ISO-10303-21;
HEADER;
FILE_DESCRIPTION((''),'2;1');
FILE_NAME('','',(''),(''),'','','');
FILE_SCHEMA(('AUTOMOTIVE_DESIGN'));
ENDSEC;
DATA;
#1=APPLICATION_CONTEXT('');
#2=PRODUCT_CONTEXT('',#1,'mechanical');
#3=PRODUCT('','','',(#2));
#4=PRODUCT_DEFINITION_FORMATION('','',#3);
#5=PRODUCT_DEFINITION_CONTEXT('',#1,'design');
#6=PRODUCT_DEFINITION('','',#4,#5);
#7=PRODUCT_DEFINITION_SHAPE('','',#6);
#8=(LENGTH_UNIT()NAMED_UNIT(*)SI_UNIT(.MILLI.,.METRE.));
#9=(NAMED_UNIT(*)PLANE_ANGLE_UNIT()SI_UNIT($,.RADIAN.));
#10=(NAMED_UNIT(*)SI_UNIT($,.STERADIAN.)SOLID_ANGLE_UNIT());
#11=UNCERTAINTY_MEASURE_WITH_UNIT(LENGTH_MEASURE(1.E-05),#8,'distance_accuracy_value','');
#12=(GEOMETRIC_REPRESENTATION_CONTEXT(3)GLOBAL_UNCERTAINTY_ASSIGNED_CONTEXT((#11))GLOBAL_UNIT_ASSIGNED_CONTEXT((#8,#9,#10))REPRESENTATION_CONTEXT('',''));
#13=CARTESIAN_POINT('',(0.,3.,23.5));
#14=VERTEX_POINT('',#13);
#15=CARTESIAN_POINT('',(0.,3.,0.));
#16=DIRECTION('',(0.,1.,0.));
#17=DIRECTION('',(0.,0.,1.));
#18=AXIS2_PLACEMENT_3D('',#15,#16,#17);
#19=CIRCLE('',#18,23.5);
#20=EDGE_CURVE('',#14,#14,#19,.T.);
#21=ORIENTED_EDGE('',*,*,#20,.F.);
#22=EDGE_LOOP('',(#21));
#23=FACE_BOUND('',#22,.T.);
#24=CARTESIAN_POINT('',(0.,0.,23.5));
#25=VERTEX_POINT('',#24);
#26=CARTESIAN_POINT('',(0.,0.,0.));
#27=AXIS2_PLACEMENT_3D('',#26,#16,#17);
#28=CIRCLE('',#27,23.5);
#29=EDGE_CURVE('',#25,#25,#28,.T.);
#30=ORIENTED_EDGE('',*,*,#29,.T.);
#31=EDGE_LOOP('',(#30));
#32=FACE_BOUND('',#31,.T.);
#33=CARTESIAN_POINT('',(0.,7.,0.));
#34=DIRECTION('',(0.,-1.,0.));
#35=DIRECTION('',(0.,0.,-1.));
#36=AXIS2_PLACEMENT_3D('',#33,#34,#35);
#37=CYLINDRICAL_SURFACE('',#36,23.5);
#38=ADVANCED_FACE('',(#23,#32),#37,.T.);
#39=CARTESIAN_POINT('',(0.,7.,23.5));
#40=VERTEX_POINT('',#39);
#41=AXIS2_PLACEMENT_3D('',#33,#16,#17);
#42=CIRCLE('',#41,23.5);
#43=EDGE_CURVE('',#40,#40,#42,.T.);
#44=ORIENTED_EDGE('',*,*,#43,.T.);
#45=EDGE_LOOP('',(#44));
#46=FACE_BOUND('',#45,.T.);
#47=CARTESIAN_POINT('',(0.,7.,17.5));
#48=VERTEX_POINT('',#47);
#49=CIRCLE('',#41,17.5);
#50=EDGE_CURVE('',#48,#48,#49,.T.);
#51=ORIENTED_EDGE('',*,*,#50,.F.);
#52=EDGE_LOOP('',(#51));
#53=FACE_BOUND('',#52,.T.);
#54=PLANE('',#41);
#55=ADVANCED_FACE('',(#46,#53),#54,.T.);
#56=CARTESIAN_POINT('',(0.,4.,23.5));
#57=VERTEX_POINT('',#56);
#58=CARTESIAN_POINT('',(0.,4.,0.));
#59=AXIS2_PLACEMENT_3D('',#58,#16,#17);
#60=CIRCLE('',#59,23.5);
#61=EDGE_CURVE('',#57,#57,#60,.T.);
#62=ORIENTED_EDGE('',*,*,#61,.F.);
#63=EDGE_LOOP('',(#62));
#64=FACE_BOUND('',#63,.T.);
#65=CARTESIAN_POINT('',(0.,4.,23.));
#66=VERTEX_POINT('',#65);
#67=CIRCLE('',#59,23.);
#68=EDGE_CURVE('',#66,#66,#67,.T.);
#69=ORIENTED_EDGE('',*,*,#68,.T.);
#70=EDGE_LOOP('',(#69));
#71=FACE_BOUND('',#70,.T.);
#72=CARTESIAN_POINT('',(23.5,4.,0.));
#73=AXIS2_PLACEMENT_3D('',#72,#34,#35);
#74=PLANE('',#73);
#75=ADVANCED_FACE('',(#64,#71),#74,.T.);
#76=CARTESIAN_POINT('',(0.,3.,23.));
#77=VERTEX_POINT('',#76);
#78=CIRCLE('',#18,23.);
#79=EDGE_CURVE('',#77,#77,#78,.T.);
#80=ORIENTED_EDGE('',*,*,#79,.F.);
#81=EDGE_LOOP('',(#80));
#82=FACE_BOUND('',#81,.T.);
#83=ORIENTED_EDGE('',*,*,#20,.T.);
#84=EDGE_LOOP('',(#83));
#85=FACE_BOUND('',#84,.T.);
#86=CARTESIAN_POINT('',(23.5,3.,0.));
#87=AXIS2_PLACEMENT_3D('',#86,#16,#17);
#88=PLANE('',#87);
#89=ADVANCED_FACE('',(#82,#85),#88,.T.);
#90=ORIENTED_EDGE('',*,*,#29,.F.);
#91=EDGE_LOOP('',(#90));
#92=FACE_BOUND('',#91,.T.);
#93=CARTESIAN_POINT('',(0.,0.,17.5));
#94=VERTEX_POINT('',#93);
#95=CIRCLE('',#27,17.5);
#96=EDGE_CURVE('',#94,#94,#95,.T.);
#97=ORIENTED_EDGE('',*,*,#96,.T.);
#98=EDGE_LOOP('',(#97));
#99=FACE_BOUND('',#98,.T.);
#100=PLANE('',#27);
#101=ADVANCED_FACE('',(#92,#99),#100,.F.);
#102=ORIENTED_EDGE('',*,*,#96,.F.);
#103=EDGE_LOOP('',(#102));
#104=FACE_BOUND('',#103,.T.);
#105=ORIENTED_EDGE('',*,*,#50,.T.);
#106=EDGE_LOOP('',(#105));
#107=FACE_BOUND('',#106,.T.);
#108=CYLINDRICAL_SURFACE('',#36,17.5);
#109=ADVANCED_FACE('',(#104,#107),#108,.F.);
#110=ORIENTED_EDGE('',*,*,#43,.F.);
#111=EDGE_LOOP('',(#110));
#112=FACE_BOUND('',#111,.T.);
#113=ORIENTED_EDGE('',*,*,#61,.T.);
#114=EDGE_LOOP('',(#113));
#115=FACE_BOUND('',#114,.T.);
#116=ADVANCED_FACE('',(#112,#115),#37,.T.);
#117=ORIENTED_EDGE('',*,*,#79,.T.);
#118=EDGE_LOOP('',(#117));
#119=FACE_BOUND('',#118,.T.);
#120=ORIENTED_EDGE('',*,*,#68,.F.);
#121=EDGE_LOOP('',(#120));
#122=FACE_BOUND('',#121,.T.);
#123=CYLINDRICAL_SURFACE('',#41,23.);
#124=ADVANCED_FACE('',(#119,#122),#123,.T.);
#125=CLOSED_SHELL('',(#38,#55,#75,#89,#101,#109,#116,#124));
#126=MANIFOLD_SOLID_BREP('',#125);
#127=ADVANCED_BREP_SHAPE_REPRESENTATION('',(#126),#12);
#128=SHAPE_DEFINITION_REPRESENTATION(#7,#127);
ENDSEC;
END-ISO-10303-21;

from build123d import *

# Parameters (mm, degrees)
SKETCH_1_R      = 23.5
SKETCH_1_R_2    = 17.5
EXTRUDE_1_DEPTH = 7
SKETCH_2_W      = 0.5
SKETCH_2_H      = 1


with BuildPart() as part:
    # 草图1 → 凸台-拉伸1 (new body)
    with BuildSketch(Plane(origin=(0, 0, 0), x_dir=(1, 0, 0), z_dir=(0, 1, 0))):
        with Locations(Location((0, 0, 0), (0, 0, 270))):
            Circle(SKETCH_1_R)
        with Locations(Location((0, 0, 0), (0, 0, 270))):
            Circle(SKETCH_1_R_2, mode=Mode.SUBTRACT)
    extrude(amount=EXTRUDE_1_DEPTH)

    # 草图2 → 切除-旋转1 (revolve, cut)
    with BuildSketch(Plane.XY, mode=Mode.PRIVATE) as cut_revolve_1_sk:
        with Locations((23.25, 3.5)):
            Rectangle(SKETCH_2_W, SKETCH_2_H)
    revolve(cut_revolve_1_sk.sketch.rotate(Axis((0, 7, 0), (0, -1, 0)), 90), axis=Axis((0, 7, 0), (0, -1, 0)), mode=Mode.SUBTRACT)


solid = part.part
